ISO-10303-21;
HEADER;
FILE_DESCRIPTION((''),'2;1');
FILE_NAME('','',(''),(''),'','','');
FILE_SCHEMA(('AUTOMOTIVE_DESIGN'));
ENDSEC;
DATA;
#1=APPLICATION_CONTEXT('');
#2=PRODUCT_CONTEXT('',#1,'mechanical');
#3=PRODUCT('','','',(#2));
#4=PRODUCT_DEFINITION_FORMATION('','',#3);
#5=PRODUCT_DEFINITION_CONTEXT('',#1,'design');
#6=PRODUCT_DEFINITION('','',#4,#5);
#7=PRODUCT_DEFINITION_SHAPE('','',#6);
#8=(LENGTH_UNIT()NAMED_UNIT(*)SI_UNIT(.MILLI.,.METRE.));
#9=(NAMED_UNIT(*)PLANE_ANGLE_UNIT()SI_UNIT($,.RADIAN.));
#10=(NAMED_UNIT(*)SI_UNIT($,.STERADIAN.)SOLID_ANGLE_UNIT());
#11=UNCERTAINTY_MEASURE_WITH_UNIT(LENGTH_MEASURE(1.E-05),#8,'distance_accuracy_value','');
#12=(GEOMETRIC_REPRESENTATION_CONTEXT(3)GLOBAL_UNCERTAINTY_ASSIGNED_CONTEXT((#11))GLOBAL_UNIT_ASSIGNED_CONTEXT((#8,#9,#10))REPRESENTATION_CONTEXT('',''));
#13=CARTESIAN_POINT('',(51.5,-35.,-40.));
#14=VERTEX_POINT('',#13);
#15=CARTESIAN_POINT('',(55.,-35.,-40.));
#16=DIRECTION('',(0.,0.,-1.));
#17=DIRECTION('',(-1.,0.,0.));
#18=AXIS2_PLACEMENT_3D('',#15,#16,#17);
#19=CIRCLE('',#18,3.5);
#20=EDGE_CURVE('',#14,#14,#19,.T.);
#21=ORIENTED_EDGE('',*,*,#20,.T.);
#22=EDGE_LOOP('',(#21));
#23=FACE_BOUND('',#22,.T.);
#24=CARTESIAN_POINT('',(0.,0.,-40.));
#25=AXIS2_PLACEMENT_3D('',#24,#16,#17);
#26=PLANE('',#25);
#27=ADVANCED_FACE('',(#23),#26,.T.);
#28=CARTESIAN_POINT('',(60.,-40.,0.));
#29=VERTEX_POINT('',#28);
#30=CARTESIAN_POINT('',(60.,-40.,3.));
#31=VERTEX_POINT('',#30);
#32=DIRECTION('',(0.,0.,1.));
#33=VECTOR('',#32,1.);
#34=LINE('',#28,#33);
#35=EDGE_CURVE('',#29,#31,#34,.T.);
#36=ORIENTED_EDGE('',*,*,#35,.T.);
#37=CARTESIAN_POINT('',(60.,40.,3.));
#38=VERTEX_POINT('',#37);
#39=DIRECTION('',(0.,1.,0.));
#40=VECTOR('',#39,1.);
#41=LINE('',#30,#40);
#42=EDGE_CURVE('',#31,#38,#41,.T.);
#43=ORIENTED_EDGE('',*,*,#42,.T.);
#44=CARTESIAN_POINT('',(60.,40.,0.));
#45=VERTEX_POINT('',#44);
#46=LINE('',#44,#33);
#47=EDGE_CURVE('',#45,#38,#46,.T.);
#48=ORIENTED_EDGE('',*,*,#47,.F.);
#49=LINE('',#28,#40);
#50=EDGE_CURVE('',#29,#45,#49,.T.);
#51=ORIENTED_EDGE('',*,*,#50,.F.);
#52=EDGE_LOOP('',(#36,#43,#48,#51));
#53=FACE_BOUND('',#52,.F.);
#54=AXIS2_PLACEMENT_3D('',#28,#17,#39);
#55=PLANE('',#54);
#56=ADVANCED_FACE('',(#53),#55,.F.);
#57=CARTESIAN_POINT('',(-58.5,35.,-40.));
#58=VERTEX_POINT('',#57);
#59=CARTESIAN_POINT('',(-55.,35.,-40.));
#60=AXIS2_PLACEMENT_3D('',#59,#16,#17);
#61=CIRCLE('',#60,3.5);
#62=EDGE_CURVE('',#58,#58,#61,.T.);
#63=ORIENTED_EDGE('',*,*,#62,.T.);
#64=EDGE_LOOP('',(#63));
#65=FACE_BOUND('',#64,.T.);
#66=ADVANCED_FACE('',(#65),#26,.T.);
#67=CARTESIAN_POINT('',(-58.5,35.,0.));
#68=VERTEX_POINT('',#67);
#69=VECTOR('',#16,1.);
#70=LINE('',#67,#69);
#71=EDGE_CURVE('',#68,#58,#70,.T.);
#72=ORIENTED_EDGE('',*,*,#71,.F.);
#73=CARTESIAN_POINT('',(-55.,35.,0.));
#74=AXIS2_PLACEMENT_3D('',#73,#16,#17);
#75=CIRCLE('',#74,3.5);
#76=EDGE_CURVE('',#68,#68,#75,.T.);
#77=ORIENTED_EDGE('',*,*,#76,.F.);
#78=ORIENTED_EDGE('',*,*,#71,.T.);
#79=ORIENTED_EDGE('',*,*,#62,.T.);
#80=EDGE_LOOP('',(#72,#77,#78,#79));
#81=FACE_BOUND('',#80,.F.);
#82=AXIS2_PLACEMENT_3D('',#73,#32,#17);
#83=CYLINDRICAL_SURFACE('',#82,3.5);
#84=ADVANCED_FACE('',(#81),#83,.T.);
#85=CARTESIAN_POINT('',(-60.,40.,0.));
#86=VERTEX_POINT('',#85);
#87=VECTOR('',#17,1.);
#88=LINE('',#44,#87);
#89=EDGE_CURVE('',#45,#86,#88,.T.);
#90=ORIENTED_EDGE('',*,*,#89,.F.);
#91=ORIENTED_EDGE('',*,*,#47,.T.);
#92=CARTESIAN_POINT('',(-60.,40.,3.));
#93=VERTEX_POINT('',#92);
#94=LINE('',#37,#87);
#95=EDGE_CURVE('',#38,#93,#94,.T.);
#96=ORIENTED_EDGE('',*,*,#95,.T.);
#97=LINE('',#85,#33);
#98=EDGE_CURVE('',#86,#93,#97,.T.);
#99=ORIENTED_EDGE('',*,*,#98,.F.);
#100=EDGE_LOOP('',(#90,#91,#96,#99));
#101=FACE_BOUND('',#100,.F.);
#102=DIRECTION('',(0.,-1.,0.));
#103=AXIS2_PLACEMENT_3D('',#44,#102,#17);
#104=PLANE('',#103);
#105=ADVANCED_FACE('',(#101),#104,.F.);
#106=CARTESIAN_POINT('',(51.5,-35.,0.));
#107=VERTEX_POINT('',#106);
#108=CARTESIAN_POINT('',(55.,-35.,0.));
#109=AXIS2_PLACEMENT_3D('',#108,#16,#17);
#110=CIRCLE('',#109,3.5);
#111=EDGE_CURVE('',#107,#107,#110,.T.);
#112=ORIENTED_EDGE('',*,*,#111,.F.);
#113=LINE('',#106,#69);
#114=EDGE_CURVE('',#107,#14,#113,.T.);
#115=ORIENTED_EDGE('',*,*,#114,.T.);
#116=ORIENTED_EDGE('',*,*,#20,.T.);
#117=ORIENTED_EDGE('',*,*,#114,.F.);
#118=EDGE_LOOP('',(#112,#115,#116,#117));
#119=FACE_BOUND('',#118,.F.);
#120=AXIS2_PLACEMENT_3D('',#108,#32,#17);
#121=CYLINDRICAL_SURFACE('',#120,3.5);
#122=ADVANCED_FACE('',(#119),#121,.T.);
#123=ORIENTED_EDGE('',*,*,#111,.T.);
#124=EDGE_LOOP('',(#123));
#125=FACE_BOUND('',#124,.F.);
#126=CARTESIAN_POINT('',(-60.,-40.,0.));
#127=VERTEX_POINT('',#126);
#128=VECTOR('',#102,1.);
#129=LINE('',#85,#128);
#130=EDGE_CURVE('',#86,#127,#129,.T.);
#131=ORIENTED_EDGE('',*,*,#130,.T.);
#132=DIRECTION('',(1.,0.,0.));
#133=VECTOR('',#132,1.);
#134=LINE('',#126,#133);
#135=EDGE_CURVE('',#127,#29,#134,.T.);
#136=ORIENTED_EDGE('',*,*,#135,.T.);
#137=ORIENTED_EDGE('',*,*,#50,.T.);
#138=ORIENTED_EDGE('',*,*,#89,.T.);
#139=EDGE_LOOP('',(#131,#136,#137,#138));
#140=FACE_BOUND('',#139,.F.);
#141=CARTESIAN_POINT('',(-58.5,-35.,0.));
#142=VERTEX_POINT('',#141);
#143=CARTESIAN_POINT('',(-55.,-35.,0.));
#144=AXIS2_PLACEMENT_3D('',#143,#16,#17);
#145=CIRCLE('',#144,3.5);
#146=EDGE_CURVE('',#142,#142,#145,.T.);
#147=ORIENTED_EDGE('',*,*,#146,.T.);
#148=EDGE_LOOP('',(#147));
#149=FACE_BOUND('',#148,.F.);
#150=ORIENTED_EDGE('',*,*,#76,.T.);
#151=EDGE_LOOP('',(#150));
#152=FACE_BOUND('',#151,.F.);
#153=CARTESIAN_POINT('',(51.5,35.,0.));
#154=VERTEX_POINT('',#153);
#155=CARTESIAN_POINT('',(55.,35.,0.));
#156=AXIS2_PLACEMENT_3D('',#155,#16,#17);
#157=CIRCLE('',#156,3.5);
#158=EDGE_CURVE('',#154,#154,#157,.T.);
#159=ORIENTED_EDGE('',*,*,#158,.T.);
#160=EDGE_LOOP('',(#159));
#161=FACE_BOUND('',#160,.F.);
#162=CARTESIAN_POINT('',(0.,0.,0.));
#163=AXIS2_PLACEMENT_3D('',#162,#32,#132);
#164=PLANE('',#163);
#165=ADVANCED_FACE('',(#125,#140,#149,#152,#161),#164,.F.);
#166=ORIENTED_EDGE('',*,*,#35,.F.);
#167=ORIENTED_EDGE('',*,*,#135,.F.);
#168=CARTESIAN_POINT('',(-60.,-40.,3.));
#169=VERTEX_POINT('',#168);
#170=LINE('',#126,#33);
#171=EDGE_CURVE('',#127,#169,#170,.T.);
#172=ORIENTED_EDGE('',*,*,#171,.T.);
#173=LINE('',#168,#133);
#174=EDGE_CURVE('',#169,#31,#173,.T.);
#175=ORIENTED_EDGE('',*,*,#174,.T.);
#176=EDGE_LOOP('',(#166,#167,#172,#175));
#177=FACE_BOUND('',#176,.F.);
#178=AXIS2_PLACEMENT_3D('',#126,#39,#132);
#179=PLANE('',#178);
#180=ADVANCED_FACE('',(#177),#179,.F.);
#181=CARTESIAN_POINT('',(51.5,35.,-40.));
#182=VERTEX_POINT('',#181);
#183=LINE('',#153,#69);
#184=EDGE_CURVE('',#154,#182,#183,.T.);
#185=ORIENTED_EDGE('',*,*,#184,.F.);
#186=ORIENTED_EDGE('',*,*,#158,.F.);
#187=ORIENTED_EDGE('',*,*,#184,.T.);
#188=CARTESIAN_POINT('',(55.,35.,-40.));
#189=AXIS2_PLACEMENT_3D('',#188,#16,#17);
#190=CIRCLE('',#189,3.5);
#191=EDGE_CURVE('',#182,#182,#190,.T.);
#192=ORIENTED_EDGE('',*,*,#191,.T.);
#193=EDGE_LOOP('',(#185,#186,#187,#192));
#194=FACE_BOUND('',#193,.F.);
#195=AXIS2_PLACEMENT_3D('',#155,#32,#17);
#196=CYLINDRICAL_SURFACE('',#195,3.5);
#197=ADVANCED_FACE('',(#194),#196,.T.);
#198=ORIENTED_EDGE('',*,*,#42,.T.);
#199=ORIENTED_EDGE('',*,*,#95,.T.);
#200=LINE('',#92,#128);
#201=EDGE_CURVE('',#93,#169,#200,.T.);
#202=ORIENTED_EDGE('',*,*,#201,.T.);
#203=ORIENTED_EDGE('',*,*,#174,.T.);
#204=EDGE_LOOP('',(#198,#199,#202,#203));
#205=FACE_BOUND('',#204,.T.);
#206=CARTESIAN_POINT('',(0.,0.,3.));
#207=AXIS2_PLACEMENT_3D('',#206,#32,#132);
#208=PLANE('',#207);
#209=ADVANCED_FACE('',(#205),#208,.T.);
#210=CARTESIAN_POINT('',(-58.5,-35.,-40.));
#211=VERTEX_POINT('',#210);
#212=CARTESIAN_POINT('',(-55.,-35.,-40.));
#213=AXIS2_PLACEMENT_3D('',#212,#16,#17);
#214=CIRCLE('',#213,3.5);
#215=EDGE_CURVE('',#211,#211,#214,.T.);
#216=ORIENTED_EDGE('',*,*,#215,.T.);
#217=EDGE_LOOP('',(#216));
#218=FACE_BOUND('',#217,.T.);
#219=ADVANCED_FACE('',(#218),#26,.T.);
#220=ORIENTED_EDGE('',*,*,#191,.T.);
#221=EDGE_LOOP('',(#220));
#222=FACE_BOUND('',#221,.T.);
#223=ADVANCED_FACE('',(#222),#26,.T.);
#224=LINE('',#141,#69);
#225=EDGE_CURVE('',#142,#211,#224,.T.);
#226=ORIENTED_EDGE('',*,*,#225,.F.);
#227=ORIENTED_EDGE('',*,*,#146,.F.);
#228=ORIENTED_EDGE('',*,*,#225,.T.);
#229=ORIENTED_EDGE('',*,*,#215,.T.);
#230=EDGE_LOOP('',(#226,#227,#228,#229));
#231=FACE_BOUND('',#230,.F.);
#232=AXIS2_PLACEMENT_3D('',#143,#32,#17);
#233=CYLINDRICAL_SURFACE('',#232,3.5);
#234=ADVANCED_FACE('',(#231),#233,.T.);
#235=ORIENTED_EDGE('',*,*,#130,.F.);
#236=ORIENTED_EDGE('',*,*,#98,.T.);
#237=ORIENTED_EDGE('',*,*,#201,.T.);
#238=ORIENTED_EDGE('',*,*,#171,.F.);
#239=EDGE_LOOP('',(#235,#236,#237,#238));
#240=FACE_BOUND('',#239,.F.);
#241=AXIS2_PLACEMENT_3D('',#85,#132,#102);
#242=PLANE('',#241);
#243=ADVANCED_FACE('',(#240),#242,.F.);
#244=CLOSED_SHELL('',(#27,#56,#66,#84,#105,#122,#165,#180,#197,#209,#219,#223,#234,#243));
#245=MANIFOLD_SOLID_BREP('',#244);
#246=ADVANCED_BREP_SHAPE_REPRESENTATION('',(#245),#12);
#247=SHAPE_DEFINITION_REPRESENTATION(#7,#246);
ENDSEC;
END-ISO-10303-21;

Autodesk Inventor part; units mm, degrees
ref_plane "YZ Plane" through (0, 0, 0) normal (1, 0, 0) x (0, 1, 0)
ref_plane "XZ Plane" through (0, 0, 0) normal (0, 1, 0) x (-1, 0, 0)
ref_plane "XY Plane" through (0, 0, 0) normal (0, 0, 1) x (1, 0, 0)
sketch "Sketch1" plane through (0, 0, 0) normal (0, 0, 1) x (1, 0, 0)
  line L0 (-50, -30) -> (50, -30) construction
  line L1 (50, -30) -> (50, 30) construction
  line L2 (50, 30) -> (-50, 30) construction
  line L3 (-50, 30) -> (-50, -30) construction
  line L4 (-50, -30) -> (50, 30) construction
  line L5 (50, -30) -> (-50, 30) construction
  line L6 (-60, -40) -> (60, -40)
  line L7 (60, -40) -> (60, 40)
  line L8 (60, 40) -> (-60, 40)
  line L9 (-60, 40) -> (-60, -40)
  line L10 (-60, -40) -> (60, 40)
  line L11 (60, -40) -> (-60, 40)
  point P0 (0, 0)
  dimension "d0" = 60
  dimension "d1" = 100
  dimension "d2" = 10
  dimension "d3" = 10
extrude "Extrusion1" add sketch "Sketch1" along normal blind 3
sketch "Sketch2" plane through (0, 0, 0) normal (0, 0, -1) x (-1, 0, 0)
  line L0 (50, -30) -> (50, 30) construction
  line L1 (50, 30) -> (-50, 30) construction
  line L2 (-50, 30) -> (-50, -30) construction
  line L3 (-50, -30) -> (50, -30) construction
  line L4 (50, -30) -> (-50, 30) construction
  line L5 (50, 30) -> (-50, -30) construction
  line L6 (60, -40) -> (-60, -40) construction
  line L7 (-50, -30) -> (-60, -30) construction
  line L8 (-60, -30) -> (-60, -40) construction
  line L9 (-60, -40) -> (-50, -40) construction
  line L10 (-50, -40) -> (-50, -30) construction
  line L11 (-60, 40) -> (60, 40) construction
  line L12 (-50, 30) -> (-60, 30) construction
  line L13 (-60, 30) -> (-60, 40) construction
  line L14 (-60, 40) -> (-50, 40) construction
  line L15 (-50, 40) -> (-50, 30) construction
  line L16 (50, 30) -> (60, 30) construction
  line L17 (60, 30) -> (60, 40) construction
  line L18 (60, 40) -> (50, 40) construction
  line L19 (50, 40) -> (50, 30) construction
  line L20 (60, 40) -> (60, -40) construction
  line L21 (60, -40) -> (50, -40) construction
  line L22 (50, -40) -> (50, -30) construction
  line L23 (50, -30) -> (60, -30) construction
  line L24 (60, -30) -> (60, -40) construction
  circle A0 centre (-55, -35) radius 3.5
  circle A1 centre (-55, 35) radius 3.5
  circle A2 centre (55, -35) radius 3.5
  circle A3 centre (55, 35) radius 3.5
  line L25 (-55, -35) -> (55, -35) construction
  line L26 (55, -35) -> (55, 35) construction
  line L27 (55, 35) -> (-55, 35) construction
  line L28 (-55, 35) -> (-55, -35) construction
  line L29 (-55, -35) -> (55, 35) construction
  line L30 (55, -35) -> (-55, 35) construction
  line L31 (-60, -40) -> (-60, 40) construction
  point P0 (0, 0)
  dimension "d6" = 60
  dimension "d7" = 100
  dimension "d8" = 7
  dimension "d9" = 7
  dimension "d10" = 7
  dimension "d11" = 7
  dimension "d12" = 5
  dimension "d13" = 5
extrude "Extrusion2" add sketch "Sketch2" along normal blind 40
equation "\"d3\" = d2"
equation "\"d6\" = d0"
equation "\"d7\" = d1"
equation "\"d12\" = 0.5 * d2"
equation "\"d13\" = d12"
properties part number "table top"
